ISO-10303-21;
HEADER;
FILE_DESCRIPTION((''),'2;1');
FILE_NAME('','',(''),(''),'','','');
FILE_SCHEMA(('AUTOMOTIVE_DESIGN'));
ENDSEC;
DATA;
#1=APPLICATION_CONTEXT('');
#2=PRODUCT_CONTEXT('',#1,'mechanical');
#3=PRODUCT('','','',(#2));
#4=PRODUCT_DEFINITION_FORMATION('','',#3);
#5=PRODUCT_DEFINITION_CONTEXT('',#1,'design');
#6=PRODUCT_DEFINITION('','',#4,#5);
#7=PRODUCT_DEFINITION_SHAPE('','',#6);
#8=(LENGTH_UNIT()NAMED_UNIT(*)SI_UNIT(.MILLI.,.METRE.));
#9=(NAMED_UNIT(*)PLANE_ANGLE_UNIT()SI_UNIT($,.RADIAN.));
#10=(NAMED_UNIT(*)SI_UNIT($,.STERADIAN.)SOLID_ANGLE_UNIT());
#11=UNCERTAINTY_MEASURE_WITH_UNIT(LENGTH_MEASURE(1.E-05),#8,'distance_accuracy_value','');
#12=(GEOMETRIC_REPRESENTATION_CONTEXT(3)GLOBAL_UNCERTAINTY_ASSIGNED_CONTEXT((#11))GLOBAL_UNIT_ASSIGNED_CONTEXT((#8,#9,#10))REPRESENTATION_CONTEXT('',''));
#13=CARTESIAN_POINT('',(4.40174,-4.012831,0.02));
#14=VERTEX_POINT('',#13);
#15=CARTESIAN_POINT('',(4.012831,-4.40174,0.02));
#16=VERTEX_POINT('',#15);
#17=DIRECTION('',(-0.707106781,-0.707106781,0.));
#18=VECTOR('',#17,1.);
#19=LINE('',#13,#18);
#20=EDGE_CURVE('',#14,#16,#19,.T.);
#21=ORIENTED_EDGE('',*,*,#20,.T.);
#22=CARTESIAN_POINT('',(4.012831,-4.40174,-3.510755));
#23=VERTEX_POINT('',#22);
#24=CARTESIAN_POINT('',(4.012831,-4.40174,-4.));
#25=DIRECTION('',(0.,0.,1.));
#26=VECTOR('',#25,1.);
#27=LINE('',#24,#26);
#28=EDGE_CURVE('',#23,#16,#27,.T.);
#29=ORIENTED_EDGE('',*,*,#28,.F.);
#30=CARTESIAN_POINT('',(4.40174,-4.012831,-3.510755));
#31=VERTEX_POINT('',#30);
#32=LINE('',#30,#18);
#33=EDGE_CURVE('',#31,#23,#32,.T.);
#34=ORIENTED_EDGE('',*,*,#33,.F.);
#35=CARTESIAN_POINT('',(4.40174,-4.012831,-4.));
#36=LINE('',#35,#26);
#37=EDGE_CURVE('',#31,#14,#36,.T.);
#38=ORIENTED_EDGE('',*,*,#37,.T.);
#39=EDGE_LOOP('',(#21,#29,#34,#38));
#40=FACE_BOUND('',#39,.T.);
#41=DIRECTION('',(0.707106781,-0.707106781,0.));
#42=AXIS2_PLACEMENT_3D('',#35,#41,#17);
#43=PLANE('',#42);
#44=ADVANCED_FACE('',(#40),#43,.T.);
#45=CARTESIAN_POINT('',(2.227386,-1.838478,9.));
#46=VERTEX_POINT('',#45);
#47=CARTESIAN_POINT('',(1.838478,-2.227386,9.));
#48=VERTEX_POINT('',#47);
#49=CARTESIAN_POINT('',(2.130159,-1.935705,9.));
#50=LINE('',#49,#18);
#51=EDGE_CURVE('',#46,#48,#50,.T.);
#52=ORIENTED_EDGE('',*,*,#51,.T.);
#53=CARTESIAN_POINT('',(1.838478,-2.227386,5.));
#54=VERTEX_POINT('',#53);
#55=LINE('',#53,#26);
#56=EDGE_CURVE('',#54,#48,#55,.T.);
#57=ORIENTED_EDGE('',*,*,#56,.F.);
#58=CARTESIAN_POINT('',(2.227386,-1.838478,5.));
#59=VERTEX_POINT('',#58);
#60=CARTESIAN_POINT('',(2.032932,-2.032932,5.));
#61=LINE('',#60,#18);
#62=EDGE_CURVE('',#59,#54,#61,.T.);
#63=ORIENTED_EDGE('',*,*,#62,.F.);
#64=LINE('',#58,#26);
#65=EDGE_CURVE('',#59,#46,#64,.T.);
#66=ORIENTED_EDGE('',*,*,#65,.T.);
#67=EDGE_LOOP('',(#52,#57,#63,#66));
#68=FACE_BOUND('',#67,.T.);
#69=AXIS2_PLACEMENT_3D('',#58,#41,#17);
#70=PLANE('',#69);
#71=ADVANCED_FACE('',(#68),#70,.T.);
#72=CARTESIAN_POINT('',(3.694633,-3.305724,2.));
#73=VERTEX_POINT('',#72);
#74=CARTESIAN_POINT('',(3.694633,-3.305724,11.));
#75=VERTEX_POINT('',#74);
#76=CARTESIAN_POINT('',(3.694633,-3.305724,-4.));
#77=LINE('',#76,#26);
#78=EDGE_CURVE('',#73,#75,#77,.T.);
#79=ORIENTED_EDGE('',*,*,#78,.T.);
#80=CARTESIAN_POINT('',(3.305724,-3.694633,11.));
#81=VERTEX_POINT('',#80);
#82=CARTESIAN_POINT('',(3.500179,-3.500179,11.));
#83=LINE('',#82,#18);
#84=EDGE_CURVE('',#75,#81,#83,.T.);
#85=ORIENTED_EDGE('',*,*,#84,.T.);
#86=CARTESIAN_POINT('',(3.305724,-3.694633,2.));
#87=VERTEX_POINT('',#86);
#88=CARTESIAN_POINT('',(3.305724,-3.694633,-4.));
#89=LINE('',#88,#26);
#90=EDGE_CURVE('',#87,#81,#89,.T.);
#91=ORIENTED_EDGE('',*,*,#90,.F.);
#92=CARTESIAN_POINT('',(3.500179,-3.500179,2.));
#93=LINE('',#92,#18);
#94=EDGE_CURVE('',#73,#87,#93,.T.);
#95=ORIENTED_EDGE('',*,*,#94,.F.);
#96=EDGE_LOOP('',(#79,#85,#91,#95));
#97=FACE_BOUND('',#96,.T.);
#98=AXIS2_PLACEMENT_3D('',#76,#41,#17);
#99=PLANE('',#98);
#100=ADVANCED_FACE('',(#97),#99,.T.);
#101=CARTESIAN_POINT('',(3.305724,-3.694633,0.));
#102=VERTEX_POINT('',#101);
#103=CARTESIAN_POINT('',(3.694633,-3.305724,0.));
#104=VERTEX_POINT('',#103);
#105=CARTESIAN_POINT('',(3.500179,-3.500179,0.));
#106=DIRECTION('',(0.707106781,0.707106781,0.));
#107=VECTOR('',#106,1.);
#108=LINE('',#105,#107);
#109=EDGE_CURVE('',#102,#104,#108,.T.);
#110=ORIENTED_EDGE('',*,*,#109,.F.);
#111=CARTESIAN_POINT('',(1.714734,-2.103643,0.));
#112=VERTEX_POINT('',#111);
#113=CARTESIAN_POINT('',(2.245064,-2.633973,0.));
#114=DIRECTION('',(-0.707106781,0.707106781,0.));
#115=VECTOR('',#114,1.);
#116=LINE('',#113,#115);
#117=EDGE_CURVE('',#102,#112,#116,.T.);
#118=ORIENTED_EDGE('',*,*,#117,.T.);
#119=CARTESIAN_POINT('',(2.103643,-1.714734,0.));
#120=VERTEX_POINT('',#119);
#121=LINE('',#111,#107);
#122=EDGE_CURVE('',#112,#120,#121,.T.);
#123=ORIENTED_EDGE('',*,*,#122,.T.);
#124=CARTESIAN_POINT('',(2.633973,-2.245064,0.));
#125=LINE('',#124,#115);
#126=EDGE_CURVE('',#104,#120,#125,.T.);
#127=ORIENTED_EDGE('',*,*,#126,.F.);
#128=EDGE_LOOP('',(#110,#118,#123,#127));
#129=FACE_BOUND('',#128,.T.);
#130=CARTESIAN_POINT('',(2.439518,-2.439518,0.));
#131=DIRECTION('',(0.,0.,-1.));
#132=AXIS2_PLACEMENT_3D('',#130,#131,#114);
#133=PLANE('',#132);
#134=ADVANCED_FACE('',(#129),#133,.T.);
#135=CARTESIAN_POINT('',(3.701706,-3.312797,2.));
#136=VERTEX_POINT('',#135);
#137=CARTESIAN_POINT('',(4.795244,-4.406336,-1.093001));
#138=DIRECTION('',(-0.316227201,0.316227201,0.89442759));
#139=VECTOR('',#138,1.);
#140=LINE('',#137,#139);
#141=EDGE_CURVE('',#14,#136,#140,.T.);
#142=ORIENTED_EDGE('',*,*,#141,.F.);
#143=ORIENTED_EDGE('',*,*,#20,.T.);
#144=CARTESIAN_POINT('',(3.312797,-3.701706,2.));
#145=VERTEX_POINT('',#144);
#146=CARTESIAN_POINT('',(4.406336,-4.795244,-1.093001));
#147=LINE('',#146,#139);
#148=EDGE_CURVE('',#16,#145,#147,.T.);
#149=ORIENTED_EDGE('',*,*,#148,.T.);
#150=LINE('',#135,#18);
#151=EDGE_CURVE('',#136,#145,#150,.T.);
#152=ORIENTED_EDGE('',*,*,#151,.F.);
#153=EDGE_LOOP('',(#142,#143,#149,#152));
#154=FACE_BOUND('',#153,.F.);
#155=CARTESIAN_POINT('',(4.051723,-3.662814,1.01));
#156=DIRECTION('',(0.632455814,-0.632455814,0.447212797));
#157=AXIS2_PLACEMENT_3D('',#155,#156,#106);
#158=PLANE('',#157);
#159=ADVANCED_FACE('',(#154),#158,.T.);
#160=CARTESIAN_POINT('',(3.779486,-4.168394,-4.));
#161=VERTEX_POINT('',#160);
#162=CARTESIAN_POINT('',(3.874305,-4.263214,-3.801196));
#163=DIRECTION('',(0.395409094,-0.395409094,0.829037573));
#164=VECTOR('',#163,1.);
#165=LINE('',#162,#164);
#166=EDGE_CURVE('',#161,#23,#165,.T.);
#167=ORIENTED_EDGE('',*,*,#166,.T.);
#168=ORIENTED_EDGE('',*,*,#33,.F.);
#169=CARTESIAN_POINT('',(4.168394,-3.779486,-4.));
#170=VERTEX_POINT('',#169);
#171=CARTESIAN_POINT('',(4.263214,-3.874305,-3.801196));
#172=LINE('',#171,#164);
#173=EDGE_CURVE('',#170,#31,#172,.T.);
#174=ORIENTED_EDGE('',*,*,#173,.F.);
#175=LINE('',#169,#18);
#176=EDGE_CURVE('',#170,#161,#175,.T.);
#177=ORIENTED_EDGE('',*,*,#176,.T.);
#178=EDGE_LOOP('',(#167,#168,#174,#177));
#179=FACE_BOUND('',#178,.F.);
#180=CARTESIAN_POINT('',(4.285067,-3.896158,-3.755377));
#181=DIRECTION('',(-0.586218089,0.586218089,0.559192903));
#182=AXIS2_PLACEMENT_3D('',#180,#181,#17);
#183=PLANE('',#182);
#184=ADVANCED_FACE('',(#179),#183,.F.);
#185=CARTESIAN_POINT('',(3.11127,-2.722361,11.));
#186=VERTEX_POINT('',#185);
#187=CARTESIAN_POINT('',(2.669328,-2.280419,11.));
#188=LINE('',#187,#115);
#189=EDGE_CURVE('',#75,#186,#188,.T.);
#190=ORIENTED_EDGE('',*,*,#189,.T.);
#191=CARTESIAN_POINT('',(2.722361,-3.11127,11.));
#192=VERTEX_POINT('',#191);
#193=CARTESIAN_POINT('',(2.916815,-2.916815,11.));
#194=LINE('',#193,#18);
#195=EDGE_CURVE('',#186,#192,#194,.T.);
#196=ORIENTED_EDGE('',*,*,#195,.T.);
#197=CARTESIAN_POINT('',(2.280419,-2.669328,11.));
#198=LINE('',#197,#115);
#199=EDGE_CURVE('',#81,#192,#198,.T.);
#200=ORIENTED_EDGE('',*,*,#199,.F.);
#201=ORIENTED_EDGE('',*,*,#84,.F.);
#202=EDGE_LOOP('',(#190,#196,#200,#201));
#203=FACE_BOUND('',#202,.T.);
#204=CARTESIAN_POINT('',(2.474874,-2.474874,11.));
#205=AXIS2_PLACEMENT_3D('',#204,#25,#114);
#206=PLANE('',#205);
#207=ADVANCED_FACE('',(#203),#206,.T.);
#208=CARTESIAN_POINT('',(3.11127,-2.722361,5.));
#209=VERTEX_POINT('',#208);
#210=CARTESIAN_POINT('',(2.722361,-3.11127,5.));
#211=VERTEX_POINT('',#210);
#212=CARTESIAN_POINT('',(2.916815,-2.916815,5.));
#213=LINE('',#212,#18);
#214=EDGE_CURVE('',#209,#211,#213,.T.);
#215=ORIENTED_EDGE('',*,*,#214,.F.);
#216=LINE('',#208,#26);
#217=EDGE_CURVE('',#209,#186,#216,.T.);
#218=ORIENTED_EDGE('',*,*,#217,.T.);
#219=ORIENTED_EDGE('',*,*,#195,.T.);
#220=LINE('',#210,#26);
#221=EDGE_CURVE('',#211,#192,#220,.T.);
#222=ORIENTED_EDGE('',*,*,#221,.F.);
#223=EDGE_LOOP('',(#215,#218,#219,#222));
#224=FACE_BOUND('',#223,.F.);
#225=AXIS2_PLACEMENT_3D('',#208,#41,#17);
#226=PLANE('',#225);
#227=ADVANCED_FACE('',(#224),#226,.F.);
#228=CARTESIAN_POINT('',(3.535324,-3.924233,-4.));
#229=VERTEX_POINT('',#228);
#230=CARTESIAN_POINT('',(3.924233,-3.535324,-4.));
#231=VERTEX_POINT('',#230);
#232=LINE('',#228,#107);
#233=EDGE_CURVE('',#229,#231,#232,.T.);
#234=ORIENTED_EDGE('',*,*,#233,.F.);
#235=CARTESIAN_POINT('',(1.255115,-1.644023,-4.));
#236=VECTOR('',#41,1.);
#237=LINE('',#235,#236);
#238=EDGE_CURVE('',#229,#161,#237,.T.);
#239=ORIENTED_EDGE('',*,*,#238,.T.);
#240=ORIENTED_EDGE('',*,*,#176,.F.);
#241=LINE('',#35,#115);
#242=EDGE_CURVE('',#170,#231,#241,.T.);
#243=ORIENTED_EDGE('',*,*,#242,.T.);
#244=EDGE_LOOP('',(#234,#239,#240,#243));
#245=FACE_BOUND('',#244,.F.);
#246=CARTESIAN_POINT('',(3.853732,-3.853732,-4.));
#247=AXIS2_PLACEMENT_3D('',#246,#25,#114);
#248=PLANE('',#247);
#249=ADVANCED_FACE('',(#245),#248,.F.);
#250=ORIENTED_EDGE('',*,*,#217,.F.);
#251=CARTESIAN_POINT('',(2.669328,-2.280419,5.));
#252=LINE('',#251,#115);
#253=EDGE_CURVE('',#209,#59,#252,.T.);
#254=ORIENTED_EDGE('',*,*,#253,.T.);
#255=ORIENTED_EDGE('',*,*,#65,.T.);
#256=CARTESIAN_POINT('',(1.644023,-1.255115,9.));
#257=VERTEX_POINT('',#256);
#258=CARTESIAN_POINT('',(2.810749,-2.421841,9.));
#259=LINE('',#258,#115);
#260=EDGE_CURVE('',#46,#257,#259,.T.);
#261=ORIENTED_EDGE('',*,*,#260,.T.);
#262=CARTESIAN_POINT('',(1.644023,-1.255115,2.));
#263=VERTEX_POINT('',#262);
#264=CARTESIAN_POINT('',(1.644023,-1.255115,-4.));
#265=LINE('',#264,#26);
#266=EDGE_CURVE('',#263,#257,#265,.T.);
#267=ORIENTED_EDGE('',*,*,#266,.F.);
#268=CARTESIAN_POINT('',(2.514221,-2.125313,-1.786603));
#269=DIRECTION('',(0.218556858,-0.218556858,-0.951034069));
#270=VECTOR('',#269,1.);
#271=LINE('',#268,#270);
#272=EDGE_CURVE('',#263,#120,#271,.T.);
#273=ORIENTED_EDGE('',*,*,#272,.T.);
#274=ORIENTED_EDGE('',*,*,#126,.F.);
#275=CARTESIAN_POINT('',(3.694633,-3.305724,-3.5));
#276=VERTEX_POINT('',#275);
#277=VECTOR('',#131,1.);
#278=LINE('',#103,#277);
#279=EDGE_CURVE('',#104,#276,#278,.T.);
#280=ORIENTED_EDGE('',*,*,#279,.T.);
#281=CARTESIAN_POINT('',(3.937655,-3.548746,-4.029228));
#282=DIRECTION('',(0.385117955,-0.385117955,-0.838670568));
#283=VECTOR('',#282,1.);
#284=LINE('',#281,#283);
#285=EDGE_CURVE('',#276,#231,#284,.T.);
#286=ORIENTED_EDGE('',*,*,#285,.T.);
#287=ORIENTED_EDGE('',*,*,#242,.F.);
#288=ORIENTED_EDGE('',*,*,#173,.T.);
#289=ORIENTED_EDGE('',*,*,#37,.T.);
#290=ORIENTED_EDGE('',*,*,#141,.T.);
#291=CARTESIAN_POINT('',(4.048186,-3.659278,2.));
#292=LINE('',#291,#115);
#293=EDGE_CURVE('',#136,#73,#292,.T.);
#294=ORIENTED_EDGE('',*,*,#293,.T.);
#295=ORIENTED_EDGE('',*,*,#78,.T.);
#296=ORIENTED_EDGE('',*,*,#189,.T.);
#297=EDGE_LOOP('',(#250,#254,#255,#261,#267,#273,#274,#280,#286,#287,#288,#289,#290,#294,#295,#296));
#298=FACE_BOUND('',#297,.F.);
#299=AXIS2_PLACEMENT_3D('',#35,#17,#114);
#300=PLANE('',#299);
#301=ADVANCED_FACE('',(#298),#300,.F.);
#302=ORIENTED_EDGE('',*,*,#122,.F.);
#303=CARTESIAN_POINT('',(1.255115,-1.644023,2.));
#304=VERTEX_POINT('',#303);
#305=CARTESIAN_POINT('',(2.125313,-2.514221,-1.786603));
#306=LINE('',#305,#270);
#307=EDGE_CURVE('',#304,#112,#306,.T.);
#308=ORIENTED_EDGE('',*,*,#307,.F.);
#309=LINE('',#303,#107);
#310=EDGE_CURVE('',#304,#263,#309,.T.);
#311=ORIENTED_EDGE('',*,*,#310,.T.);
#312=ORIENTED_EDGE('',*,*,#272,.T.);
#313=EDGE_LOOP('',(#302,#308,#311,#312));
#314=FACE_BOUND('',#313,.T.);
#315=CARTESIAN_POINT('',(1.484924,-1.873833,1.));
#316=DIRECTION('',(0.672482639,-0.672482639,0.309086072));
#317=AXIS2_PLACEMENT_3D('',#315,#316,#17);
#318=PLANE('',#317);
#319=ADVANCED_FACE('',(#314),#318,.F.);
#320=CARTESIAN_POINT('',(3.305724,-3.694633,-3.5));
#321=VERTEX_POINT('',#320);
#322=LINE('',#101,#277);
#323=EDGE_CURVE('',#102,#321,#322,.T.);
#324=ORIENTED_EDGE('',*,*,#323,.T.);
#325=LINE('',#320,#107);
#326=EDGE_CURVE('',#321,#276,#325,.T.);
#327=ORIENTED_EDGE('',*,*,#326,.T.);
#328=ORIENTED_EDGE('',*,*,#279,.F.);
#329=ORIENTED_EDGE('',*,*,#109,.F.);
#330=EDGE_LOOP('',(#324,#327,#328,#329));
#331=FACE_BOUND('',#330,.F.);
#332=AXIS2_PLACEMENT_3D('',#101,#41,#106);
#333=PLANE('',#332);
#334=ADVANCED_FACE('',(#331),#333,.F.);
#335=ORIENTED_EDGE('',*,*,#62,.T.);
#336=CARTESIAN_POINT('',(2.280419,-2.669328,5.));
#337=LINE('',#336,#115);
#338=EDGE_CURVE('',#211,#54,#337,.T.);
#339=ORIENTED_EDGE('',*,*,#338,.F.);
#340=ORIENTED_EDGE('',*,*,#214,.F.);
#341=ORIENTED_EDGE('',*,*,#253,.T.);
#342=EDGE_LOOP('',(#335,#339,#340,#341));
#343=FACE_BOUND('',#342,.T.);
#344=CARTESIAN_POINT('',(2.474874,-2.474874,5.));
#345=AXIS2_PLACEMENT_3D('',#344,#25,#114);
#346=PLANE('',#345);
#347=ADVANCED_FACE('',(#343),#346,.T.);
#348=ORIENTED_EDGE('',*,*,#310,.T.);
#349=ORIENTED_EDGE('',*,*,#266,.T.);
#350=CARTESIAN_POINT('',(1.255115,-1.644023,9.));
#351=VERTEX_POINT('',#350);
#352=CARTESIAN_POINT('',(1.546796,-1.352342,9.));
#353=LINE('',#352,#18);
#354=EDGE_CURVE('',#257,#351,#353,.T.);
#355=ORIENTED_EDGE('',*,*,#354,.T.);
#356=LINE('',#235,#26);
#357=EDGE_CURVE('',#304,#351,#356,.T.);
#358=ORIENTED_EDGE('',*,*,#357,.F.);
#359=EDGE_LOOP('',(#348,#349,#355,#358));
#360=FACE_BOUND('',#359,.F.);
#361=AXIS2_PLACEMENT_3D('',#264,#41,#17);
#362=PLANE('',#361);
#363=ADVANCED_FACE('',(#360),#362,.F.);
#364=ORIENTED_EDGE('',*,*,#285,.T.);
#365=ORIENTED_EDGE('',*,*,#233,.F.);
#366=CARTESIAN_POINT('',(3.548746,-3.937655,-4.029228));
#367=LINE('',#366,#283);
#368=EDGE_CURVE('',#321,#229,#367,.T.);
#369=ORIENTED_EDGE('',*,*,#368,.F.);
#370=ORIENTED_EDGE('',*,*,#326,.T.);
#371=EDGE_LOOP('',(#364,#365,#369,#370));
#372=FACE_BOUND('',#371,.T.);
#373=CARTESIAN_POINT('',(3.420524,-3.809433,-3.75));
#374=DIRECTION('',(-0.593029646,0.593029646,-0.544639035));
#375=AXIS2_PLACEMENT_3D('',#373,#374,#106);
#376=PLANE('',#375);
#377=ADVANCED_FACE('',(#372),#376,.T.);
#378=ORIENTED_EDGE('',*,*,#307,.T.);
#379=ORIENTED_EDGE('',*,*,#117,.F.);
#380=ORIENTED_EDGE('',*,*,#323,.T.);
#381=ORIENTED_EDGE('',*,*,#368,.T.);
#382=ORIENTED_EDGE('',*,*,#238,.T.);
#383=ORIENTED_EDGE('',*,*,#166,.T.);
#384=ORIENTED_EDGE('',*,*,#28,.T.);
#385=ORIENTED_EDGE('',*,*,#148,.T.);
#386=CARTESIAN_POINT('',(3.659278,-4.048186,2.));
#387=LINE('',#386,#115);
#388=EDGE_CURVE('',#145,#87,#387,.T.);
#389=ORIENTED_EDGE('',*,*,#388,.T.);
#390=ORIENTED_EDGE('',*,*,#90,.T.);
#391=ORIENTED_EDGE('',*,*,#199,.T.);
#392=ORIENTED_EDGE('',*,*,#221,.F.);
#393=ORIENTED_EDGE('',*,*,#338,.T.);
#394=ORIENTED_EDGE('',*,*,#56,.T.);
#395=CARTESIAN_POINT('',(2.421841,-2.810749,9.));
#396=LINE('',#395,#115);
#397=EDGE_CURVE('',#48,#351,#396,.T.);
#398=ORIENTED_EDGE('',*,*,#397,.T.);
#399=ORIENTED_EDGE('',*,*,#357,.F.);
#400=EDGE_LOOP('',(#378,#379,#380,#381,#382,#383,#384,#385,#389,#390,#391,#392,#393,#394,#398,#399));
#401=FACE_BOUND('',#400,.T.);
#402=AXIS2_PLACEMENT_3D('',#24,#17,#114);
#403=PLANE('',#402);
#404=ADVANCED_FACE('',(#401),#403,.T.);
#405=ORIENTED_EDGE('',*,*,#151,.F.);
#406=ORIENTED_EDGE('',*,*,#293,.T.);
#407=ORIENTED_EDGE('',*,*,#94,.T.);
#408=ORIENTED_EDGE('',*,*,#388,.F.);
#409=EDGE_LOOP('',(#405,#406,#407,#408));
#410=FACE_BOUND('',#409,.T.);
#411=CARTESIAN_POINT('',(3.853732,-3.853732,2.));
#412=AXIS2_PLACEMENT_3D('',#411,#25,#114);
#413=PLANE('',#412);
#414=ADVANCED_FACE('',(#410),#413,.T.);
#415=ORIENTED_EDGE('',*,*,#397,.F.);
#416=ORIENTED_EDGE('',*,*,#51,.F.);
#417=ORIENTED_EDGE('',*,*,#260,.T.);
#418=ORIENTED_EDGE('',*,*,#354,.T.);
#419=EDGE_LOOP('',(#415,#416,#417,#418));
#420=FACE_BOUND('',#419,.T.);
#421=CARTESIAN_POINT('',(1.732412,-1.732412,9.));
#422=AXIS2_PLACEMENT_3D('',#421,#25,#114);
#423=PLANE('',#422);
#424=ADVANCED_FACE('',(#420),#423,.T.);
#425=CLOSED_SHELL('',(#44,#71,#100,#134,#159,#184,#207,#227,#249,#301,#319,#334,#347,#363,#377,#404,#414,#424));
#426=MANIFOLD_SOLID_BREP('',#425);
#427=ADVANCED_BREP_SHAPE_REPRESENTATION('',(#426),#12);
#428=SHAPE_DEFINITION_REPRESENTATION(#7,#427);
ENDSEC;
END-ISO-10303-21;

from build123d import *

# Parameters (mm, degrees)
BOX076_W                = 2.9
BOX076_H                = 0.55
BOX076_DEPTH            = 15
BOX077_W                = 1.25
BOX077_H                = 0.55
BOX077_DEPTH            = 6
BOX078_W                = 1.1
BOX078_H                = 0.6
BOX078_DEPTH            = 2
BOX080_W                = 1
BOX080_H                = 0.55
BOX080_DEPTH            = 6
BOX079_W                = 3
BOX079_H                = 0.55
BOX079_DEPTH            = 4
CHAMFER038_SIZE2        = 0.65
CHAMFER038_SIZE         = 2
CHAMFER039_ANGLE        = 33
CHAMFER039_SIZE         = 0.5
CHAMFER041_ANGLE        = 56
CHAMFER041_SIZE         = 0.33
CHAMFER040_ANGLE        = 26.565
CHAMFER040_SIZE         = 1.98
BODY030_PLACEMENT_ANGLE = 135


with BuildPart() as part:
    # Box076 → Box076 (join)
    with BuildSketch(Plane(origin=(-4.95, -0.275, 0), x_dir=(1, 0, 0), z_dir=(0, 0, 1))):
        with Locations((1.45, 0.275)):
            Rectangle(BOX076_W, BOX076_H)
    extrude(amount=BOX076_DEPTH)

    # Box077 → Box077 (cut)
    with BuildSketch(Plane(origin=(-4.125, -0.275, 9), x_dir=(1, 0, 0), z_dir=(0, 0, 1))):
        with Locations((0.625, 0.275)):
            Rectangle(BOX077_W, BOX077_H)
    extrude(amount=BOX077_DEPTH, mode=Mode.SUBTRACT)

    # Box078 → Box078 (cut)
    with BuildSketch(Plane(origin=(-3, -0.3, 13), x_dir=(1, 0, 0), z_dir=(0, 0, 1))):
        with Locations((0.55, 0.3)):
            Rectangle(BOX078_W, BOX078_H)
    extrude(amount=BOX078_DEPTH, mode=Mode.SUBTRACT)

    # Box080 → Box080 (join)
    with BuildSketch(Plane(origin=(-5.95, -0.275, 0), x_dir=(1, 0, 0), z_dir=(0, 0, 1))):
        with Locations((0.5, 0.275)):
            Rectangle(BOX080_W, BOX080_H)
    extrude(amount=BOX080_DEPTH)

    # Box079 → Box079 (cut)
    with BuildSketch(Plane(origin=(-4.95, 0.275, 4), x_dir=(1, 0, 0), z_dir=(0, 0, -1))):
        with Locations((1.5, 0.275)):
            Rectangle(BOX079_W, BOX079_H)
    extrude(amount=BOX079_DEPTH, mode=Mode.SUBTRACT)

    # Chamfer038
    chamfer038_edges = [part.edges().sort_by_distance(p)[0] for p in [
        (-2.05, 0, 4),
    ]]
    chamfer038_side = part.faces().sort_by_distance((-2.05, 0, 8.5))[0]
    chamfer(chamfer038_edges, length=CHAMFER038_SIZE, length2=CHAMFER038_SIZE2, reference=chamfer038_side)

    # Chamfer039
    chamfer039_edges = [part.edges().sort_by_distance(p)[0] for p in [
        (-4.95, 0, 0),
    ]]
    chamfer039_side = part.faces().sort_by_distance((-4.95, 0, 2))[0]
    chamfer(chamfer039_edges, length=CHAMFER039_SIZE, angle=CHAMFER039_ANGLE, reference=chamfer039_side)

    # Chamfer041
    chamfer041_edges = [part.edges().sort_by_distance(p)[0] for p in [
        (-5.95, 0, 0),
    ]]
    chamfer041_side = part.faces().sort_by_distance((-5.612352, 0, 0))[0]
    chamfer(chamfer041_edges, length=CHAMFER041_SIZE, angle=CHAMFER041_ANGLE, reference=chamfer041_side)

    # Chamfer040
    chamfer040_edges = [part.edges().sort_by_distance(p)[0] for p in [
        (-5.95, 0, 6),
    ]]
    chamfer040_side = part.faces().sort_by_distance((-5.95, 0, 3.244623))[0]
    chamfer(chamfer040_edges, length=CHAMFER040_SIZE, angle=CHAMFER040_ANGLE, reference=chamfer040_side)


with BuildPart() as part_1:
    # Body030 placement: moved
    add(part.part.moved(Location((0, 0, -4))).rotate(Axis((0, 0, -4), (0, 0, 1)), BODY030_PLACEMENT_ANGLE))


solid = part_1.part
